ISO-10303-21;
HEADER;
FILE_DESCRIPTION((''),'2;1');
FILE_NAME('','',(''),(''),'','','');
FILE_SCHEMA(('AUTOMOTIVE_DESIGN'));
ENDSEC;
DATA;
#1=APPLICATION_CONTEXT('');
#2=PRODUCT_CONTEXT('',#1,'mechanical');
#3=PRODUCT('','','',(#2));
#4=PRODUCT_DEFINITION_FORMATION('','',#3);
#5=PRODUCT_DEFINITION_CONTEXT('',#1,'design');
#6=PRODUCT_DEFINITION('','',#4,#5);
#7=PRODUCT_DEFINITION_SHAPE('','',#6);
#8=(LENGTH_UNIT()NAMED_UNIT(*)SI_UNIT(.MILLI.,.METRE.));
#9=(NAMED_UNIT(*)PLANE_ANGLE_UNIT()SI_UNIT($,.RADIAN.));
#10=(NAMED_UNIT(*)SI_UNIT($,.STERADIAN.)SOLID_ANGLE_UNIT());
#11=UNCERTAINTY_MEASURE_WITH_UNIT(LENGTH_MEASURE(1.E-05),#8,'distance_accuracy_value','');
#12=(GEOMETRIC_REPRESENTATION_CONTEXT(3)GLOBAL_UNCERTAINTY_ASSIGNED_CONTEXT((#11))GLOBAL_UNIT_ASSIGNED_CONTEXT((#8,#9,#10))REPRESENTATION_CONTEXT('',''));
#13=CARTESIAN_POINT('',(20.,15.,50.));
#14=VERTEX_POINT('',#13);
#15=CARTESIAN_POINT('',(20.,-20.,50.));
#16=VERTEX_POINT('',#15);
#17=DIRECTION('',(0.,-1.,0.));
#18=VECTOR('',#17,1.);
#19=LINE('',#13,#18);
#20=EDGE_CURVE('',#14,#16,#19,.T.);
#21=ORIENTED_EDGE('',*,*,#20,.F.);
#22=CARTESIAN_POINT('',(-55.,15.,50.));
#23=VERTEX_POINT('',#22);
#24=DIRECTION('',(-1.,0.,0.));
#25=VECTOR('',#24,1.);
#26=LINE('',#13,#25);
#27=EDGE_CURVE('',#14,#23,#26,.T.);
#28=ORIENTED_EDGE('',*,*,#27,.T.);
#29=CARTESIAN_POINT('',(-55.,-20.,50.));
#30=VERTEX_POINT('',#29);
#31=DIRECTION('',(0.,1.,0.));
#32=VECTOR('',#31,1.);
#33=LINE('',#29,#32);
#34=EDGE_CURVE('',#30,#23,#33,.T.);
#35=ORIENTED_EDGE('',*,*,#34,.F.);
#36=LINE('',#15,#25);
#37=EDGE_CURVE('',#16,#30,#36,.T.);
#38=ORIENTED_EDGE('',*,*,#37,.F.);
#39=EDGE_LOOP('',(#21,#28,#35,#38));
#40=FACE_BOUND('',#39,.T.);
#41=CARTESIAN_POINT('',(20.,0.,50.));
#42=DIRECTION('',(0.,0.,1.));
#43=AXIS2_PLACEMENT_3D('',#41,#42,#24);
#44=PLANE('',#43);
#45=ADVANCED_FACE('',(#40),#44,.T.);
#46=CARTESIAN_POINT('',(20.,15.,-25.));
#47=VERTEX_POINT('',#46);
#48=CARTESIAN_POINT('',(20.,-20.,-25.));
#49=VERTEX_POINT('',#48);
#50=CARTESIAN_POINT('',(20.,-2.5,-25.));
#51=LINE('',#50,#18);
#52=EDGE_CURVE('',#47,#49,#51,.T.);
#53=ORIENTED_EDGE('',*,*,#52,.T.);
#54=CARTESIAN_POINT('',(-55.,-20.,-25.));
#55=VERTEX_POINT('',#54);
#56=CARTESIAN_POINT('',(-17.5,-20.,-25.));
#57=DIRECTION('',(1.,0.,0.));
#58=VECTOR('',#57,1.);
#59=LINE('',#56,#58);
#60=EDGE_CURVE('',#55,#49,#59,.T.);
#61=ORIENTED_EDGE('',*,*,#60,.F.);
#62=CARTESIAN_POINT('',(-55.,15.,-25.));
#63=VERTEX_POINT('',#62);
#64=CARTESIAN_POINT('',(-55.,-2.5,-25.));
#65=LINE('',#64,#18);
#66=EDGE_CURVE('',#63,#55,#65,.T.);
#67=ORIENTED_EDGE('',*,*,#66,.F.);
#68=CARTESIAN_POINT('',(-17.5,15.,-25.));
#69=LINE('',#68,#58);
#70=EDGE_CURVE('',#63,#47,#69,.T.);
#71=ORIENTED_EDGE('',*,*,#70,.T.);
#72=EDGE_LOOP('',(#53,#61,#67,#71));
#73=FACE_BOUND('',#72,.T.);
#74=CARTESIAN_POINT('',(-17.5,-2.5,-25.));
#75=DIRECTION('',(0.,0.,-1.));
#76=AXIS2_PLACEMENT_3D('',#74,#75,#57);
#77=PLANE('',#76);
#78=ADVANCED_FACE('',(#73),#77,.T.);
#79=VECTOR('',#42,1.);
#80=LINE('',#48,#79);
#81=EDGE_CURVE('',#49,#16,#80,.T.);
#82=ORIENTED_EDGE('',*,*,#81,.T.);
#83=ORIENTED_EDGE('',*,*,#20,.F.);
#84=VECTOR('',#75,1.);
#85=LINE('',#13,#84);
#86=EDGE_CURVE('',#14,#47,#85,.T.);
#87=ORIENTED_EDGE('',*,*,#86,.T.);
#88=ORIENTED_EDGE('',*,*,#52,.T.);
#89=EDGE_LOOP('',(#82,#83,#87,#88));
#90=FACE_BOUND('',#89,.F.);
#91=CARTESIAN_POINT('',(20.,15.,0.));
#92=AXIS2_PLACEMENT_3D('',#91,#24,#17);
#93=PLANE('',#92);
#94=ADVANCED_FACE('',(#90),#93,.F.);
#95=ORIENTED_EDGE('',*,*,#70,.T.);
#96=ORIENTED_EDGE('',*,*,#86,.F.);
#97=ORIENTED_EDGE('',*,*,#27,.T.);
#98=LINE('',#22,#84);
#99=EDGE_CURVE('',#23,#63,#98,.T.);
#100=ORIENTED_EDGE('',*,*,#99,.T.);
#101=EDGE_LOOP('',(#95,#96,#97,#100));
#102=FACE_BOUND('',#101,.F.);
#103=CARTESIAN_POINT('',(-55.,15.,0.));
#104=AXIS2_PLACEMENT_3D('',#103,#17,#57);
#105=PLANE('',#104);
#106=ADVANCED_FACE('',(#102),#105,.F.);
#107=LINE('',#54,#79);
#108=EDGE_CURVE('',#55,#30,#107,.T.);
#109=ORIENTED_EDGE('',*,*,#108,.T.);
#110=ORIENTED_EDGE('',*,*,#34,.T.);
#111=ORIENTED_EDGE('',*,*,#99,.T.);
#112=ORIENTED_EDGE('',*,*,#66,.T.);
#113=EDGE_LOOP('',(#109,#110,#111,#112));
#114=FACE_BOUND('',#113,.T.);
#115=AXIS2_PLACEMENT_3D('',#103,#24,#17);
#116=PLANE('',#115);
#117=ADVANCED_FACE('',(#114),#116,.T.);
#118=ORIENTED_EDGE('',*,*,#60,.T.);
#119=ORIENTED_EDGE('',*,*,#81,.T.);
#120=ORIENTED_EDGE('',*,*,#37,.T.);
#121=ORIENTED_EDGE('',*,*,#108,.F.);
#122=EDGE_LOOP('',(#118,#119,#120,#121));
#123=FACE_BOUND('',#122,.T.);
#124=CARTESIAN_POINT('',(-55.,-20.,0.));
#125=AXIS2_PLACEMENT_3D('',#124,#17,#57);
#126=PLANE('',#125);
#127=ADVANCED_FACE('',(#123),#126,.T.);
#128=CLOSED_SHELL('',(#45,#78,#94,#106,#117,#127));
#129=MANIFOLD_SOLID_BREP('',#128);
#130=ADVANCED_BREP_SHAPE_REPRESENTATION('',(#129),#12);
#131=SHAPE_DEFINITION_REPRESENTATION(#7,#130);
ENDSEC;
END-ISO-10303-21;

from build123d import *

# Parameters (mm, degrees)
F1_DEPTH = 20
F2_DEPTH = 15
F3_W     = 75
F3_H     = 35
F4_DEPTH = 25


with BuildPart() as f1:
    # F0 (on Front) → F1 (new body)
    with BuildSketch(Plane.XZ):
        Polygon((-55, 0), (0, 0), (20, 0), (20, 50), (-55, 50), align=None)
    extrude(amount=F1_DEPTH)

    # F2 (add): a face of the model
    f2_faces = [f1.faces().sort_by_distance(p)[0] for p in [
        (-17.5, 0, 25),
    ]]
    extrude(f2_faces, amount=F2_DEPTH)

    # F3 (on face) → F4 (join)
    with BuildSketch(Plane(origin=(0, 0, 0), x_dir=(1, 0, 0), z_dir=(0, 0, -1))):
        with Locations((-17.5, 2.5)):
            Rectangle(F3_W, F3_H)
    extrude(amount=F4_DEPTH)


solid = f1.part
